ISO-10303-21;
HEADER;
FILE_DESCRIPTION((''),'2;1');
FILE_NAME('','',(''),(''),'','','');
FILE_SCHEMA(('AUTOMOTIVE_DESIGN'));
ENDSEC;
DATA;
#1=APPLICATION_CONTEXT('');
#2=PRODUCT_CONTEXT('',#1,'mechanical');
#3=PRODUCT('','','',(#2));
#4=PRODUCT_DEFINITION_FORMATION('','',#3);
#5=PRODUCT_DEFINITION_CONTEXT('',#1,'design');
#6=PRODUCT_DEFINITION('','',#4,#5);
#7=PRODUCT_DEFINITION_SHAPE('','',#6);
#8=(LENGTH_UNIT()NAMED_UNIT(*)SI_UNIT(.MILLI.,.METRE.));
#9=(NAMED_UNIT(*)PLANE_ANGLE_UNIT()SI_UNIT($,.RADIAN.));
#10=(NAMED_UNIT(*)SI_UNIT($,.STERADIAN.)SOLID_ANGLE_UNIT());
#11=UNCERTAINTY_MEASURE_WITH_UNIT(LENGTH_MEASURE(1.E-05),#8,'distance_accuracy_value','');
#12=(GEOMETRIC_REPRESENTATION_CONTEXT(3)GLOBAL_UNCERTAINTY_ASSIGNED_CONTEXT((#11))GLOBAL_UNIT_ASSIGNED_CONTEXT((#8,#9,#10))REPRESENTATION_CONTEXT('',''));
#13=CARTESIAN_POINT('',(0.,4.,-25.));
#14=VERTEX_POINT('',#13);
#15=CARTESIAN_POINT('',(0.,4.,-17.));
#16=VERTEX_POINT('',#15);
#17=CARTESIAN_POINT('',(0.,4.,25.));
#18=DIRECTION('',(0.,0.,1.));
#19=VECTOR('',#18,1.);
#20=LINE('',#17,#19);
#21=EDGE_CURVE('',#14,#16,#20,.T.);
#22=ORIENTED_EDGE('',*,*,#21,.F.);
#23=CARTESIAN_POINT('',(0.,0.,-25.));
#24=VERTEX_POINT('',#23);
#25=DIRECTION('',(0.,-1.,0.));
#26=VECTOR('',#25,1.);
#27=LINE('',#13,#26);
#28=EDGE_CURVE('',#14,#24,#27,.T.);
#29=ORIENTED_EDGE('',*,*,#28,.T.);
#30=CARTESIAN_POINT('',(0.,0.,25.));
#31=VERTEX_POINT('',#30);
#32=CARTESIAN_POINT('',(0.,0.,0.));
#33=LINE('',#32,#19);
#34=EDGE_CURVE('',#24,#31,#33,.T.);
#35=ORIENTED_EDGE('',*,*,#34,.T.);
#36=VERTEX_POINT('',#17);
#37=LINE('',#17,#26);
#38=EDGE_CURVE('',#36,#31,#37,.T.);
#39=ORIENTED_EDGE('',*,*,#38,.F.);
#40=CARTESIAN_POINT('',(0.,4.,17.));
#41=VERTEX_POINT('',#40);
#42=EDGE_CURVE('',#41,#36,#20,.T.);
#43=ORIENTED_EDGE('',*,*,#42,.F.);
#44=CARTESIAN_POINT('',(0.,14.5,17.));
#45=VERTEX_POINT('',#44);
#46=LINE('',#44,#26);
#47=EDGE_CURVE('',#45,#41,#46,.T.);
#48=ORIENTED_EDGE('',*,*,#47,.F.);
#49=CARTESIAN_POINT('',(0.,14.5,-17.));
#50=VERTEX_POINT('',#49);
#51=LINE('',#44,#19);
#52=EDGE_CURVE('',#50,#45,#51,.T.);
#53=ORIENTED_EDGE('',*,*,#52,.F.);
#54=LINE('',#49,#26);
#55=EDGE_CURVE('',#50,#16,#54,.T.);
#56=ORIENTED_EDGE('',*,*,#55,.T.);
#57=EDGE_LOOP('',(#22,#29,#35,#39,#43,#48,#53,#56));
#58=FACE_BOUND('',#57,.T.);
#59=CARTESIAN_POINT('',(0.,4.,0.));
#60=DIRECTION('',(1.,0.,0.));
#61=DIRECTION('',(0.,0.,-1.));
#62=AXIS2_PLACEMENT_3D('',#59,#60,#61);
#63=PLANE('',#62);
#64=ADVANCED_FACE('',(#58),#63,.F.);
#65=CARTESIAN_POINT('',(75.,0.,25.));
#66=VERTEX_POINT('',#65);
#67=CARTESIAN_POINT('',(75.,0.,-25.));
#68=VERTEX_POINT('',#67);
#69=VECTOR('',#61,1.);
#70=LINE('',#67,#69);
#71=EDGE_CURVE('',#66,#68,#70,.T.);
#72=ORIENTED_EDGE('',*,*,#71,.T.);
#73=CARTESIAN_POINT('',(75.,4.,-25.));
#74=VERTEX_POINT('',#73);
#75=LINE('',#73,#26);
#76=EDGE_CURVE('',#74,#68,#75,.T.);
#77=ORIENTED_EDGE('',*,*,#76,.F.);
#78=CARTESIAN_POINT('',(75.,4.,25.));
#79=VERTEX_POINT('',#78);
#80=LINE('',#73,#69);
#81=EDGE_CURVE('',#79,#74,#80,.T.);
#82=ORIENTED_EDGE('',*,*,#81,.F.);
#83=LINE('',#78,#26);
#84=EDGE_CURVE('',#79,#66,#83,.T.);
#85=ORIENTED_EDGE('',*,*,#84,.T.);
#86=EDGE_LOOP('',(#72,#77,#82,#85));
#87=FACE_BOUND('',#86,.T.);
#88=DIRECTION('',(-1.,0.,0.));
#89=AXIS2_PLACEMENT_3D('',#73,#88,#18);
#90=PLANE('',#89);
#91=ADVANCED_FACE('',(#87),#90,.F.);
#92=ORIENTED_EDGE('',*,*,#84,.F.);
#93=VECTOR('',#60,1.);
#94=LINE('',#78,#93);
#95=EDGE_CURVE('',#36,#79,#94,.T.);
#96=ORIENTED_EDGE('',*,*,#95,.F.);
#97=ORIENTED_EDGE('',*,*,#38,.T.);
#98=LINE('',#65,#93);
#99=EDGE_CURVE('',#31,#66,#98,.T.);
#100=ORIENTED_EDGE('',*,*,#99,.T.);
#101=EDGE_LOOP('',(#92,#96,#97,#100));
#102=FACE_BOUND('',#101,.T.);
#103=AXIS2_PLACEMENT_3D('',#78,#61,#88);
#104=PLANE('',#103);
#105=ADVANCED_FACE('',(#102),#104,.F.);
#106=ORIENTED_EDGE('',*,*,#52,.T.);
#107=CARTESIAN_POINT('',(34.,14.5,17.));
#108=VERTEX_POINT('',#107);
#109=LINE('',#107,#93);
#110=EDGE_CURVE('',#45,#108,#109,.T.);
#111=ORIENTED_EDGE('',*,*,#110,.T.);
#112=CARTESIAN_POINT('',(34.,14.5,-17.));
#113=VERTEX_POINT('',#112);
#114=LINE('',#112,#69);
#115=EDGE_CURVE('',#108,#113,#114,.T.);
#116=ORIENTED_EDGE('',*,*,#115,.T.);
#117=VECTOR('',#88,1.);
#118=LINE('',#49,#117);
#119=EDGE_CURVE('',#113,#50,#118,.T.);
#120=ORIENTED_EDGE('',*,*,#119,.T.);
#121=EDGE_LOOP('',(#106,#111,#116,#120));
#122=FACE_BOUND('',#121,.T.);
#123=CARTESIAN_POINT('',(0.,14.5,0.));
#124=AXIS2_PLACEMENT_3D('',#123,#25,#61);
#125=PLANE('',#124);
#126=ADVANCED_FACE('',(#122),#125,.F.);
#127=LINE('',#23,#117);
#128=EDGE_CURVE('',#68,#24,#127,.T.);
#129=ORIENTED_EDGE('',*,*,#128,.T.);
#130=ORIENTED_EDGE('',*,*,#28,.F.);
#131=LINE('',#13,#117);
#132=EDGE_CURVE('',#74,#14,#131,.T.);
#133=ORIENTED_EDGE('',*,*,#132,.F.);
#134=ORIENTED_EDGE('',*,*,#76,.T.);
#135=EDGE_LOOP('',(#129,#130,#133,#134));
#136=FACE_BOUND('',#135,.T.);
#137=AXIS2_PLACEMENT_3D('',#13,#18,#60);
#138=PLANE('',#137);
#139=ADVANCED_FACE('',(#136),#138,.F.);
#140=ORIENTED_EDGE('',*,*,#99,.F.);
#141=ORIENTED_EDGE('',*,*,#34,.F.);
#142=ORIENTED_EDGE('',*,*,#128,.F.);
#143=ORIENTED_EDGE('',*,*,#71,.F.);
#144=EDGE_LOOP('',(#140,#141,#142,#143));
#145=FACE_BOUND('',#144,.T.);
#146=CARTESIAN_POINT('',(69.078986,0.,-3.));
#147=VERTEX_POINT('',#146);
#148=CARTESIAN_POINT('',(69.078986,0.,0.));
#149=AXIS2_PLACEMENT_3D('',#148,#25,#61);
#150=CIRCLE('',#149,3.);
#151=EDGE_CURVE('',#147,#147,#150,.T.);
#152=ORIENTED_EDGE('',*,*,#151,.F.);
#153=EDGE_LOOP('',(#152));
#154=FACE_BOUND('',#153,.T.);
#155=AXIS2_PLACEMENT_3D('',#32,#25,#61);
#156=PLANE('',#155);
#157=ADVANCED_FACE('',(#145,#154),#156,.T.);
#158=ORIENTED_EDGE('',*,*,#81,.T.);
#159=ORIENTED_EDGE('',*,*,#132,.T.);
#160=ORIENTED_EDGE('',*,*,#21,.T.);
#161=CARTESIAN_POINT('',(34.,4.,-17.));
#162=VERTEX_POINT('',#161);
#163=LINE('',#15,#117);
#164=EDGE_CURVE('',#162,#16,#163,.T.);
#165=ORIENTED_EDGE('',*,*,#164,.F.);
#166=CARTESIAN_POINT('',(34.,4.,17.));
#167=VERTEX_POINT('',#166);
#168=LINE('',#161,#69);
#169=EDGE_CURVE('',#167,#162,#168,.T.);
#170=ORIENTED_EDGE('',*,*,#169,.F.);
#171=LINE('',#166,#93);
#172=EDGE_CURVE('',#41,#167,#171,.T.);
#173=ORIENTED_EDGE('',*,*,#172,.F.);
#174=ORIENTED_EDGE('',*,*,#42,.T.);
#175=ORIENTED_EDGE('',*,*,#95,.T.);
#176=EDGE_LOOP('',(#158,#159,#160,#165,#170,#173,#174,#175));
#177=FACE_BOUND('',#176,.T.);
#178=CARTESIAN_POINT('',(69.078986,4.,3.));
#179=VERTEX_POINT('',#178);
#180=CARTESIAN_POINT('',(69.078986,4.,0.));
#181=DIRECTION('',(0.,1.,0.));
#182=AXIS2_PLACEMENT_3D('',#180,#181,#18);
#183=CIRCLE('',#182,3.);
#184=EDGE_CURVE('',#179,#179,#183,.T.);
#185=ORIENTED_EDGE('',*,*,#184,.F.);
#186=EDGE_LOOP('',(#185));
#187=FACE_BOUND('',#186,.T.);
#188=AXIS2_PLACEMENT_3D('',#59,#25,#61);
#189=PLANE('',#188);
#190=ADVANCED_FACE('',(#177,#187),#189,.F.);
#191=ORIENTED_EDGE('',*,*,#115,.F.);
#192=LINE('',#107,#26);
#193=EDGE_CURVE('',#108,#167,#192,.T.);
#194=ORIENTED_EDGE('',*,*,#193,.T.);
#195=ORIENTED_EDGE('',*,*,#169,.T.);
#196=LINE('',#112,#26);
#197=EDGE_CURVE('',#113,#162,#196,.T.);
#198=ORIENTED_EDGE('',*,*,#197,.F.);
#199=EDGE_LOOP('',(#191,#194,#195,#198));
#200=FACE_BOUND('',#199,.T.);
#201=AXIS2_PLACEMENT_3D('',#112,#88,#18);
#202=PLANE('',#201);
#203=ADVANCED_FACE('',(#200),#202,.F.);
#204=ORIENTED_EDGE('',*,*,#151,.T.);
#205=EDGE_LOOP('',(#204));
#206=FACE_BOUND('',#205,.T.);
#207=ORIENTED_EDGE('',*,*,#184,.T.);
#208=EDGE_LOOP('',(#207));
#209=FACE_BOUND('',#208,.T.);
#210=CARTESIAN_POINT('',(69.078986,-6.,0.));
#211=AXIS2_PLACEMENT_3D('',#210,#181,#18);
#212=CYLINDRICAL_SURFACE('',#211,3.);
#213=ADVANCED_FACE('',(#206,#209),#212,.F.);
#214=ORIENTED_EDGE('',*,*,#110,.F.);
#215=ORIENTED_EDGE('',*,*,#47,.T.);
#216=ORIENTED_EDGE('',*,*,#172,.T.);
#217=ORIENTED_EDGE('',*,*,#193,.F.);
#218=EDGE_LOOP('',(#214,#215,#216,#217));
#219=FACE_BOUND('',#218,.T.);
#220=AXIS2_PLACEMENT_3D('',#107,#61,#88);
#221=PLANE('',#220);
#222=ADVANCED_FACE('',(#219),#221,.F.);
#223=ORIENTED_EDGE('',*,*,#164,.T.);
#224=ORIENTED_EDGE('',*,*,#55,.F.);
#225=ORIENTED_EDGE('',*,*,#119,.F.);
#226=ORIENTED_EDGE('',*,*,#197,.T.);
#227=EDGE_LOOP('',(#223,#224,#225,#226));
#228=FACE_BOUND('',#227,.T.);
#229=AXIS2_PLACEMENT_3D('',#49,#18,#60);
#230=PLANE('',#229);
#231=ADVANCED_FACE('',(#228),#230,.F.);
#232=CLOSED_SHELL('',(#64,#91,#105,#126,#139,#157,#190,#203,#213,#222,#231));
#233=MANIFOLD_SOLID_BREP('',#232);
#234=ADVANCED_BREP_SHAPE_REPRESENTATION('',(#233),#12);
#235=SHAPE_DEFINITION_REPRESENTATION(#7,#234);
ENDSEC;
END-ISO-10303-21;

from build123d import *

# Parameters (mm, degrees)
BOSS_EXTRUDE2_DEPTH = 4
BOSS_EXTRUDE4_DEPTH = 10.5
SKETCH9_R           = 3
CUT_EXTRUDE1_DEPTH  = 10


with BuildPart() as part:
    # Sketch1 → Boss-Extrude2 (new body)
    with BuildSketch(Plane(origin=(0, 0, 0), x_dir=(1, 0, 0), z_dir=(0, 1, 0))):
        Polygon((0, 0), (0, 25), (75, 25), (75, -25), (0, -25), align=None)
    extrude(amount=BOSS_EXTRUDE2_DEPTH)

    # Sketch7 → Boss-Extrude4 (add)
    with BuildSketch(Plane(origin=(0, 4, 0), x_dir=(1, 0, 0), z_dir=(0, 1, 0))):
        Polygon((0, 0), (0, 17), (34, 17), (34, -17), (0, -17), align=None)
    extrude(amount=BOSS_EXTRUDE4_DEPTH)

    # Sketch9 → Cut-Extrude1 (cut)
    with BuildSketch(Plane(origin=(0, 4, 0), x_dir=(1, 0, 0), z_dir=(0, 1, 0))):
        with Locations((69.078986276, 0)):
            Circle(SKETCH9_R)
    extrude(amount=-CUT_EXTRUDE1_DEPTH, mode=Mode.SUBTRACT)


solid = part.part
